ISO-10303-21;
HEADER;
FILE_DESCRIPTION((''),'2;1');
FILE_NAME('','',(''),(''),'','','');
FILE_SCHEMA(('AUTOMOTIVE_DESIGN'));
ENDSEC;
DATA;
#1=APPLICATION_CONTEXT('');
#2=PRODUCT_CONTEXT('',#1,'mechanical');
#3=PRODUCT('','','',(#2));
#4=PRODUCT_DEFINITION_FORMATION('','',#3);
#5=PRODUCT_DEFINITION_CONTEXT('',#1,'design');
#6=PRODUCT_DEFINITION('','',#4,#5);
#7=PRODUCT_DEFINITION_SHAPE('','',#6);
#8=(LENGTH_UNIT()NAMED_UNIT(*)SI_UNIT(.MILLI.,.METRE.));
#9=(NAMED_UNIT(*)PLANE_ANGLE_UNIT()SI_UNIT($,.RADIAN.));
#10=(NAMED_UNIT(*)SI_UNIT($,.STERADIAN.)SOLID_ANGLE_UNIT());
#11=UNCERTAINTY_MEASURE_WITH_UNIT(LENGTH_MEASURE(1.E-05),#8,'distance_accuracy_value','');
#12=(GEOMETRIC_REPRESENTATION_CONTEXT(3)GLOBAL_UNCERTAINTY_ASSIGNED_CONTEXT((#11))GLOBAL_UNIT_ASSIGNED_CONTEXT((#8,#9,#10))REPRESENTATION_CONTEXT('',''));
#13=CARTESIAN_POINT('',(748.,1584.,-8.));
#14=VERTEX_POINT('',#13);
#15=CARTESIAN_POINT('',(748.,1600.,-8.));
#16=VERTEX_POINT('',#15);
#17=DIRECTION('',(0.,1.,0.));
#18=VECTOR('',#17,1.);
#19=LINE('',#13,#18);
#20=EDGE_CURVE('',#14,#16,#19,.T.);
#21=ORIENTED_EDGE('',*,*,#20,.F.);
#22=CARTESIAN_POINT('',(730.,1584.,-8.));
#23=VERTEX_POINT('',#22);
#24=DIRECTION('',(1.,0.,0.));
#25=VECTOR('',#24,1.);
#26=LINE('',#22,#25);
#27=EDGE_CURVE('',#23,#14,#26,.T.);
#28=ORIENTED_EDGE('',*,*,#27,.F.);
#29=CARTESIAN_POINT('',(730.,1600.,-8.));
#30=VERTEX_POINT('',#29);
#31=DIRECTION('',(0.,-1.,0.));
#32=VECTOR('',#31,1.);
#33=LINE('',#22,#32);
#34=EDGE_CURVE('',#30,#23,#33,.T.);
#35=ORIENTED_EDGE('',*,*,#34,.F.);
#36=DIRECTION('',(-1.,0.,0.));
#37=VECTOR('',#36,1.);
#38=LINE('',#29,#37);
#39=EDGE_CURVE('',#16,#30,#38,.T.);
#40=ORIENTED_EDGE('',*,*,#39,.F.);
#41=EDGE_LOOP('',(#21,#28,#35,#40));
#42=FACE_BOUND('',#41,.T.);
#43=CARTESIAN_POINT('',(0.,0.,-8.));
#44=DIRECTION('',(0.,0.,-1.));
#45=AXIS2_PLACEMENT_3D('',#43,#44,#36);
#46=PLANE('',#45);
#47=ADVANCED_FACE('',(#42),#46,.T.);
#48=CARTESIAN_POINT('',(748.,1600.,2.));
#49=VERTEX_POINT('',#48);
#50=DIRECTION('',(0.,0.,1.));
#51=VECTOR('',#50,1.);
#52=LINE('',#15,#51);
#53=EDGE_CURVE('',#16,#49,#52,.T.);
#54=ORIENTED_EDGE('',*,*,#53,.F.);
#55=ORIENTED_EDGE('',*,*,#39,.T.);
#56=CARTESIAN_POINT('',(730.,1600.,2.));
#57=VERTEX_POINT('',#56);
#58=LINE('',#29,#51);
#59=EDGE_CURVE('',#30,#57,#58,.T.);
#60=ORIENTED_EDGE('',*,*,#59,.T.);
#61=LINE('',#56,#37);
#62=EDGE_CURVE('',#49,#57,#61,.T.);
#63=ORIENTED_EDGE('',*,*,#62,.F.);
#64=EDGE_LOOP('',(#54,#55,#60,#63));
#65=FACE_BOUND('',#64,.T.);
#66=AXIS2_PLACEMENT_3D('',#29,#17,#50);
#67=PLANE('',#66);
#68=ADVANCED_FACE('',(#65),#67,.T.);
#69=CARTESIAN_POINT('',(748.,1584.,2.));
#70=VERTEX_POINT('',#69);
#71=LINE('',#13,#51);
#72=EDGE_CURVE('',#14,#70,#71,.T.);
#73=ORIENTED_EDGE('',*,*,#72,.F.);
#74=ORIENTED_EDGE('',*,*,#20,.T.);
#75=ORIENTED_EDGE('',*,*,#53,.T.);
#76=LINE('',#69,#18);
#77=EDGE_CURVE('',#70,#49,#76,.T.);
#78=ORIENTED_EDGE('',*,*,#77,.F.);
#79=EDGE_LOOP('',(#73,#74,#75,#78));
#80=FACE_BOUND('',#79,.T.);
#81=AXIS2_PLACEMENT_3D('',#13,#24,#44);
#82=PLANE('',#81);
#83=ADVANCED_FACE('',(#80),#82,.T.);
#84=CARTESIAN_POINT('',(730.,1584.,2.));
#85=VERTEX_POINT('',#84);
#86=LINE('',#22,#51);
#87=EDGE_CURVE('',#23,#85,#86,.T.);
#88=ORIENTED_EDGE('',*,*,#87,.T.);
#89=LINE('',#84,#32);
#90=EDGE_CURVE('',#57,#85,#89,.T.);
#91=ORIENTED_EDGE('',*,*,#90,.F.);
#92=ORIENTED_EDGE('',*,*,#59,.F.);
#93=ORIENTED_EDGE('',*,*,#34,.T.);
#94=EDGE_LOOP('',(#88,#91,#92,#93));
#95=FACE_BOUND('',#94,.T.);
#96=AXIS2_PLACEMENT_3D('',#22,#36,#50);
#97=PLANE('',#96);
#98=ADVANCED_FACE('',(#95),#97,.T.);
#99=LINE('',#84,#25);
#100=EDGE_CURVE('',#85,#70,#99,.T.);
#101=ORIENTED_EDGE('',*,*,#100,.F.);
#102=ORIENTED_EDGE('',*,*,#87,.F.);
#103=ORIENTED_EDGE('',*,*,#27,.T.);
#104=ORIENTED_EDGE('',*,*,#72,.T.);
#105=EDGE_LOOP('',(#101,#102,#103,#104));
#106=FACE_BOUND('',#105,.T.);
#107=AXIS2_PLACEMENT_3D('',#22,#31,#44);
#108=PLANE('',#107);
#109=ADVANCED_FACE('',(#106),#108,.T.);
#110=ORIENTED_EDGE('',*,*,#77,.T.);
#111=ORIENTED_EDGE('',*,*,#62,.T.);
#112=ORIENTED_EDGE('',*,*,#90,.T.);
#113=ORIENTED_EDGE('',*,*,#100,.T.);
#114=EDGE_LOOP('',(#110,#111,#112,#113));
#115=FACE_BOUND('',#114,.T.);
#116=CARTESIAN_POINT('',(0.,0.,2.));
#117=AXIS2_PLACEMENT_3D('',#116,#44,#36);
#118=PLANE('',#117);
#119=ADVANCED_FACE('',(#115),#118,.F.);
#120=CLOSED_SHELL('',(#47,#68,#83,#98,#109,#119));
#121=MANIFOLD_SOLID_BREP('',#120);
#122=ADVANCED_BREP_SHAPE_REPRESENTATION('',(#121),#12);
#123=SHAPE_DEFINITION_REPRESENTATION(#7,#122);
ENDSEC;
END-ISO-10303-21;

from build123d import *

# Parameters (mm, degrees)
DET2_REED_SENSOR_BRAKETI_1_START = 2
SKETCH1_W                        = 18
SKETCH1_H                        = 16
DET2_REED_SENSOR_BRAKETI_1_DEPTH = 10


with BuildPart() as part:
    # Sketch1 → DET2_reed_sensor_braketi_1 (new body)
    with BuildSketch(Plane.XY.offset(DET2_REED_SENSOR_BRAKETI_1_START)):
        with Locations((739, 1592)):
            Rectangle(SKETCH1_W, SKETCH1_H)
    extrude(amount=-DET2_REED_SENSOR_BRAKETI_1_DEPTH)


solid = part.part
